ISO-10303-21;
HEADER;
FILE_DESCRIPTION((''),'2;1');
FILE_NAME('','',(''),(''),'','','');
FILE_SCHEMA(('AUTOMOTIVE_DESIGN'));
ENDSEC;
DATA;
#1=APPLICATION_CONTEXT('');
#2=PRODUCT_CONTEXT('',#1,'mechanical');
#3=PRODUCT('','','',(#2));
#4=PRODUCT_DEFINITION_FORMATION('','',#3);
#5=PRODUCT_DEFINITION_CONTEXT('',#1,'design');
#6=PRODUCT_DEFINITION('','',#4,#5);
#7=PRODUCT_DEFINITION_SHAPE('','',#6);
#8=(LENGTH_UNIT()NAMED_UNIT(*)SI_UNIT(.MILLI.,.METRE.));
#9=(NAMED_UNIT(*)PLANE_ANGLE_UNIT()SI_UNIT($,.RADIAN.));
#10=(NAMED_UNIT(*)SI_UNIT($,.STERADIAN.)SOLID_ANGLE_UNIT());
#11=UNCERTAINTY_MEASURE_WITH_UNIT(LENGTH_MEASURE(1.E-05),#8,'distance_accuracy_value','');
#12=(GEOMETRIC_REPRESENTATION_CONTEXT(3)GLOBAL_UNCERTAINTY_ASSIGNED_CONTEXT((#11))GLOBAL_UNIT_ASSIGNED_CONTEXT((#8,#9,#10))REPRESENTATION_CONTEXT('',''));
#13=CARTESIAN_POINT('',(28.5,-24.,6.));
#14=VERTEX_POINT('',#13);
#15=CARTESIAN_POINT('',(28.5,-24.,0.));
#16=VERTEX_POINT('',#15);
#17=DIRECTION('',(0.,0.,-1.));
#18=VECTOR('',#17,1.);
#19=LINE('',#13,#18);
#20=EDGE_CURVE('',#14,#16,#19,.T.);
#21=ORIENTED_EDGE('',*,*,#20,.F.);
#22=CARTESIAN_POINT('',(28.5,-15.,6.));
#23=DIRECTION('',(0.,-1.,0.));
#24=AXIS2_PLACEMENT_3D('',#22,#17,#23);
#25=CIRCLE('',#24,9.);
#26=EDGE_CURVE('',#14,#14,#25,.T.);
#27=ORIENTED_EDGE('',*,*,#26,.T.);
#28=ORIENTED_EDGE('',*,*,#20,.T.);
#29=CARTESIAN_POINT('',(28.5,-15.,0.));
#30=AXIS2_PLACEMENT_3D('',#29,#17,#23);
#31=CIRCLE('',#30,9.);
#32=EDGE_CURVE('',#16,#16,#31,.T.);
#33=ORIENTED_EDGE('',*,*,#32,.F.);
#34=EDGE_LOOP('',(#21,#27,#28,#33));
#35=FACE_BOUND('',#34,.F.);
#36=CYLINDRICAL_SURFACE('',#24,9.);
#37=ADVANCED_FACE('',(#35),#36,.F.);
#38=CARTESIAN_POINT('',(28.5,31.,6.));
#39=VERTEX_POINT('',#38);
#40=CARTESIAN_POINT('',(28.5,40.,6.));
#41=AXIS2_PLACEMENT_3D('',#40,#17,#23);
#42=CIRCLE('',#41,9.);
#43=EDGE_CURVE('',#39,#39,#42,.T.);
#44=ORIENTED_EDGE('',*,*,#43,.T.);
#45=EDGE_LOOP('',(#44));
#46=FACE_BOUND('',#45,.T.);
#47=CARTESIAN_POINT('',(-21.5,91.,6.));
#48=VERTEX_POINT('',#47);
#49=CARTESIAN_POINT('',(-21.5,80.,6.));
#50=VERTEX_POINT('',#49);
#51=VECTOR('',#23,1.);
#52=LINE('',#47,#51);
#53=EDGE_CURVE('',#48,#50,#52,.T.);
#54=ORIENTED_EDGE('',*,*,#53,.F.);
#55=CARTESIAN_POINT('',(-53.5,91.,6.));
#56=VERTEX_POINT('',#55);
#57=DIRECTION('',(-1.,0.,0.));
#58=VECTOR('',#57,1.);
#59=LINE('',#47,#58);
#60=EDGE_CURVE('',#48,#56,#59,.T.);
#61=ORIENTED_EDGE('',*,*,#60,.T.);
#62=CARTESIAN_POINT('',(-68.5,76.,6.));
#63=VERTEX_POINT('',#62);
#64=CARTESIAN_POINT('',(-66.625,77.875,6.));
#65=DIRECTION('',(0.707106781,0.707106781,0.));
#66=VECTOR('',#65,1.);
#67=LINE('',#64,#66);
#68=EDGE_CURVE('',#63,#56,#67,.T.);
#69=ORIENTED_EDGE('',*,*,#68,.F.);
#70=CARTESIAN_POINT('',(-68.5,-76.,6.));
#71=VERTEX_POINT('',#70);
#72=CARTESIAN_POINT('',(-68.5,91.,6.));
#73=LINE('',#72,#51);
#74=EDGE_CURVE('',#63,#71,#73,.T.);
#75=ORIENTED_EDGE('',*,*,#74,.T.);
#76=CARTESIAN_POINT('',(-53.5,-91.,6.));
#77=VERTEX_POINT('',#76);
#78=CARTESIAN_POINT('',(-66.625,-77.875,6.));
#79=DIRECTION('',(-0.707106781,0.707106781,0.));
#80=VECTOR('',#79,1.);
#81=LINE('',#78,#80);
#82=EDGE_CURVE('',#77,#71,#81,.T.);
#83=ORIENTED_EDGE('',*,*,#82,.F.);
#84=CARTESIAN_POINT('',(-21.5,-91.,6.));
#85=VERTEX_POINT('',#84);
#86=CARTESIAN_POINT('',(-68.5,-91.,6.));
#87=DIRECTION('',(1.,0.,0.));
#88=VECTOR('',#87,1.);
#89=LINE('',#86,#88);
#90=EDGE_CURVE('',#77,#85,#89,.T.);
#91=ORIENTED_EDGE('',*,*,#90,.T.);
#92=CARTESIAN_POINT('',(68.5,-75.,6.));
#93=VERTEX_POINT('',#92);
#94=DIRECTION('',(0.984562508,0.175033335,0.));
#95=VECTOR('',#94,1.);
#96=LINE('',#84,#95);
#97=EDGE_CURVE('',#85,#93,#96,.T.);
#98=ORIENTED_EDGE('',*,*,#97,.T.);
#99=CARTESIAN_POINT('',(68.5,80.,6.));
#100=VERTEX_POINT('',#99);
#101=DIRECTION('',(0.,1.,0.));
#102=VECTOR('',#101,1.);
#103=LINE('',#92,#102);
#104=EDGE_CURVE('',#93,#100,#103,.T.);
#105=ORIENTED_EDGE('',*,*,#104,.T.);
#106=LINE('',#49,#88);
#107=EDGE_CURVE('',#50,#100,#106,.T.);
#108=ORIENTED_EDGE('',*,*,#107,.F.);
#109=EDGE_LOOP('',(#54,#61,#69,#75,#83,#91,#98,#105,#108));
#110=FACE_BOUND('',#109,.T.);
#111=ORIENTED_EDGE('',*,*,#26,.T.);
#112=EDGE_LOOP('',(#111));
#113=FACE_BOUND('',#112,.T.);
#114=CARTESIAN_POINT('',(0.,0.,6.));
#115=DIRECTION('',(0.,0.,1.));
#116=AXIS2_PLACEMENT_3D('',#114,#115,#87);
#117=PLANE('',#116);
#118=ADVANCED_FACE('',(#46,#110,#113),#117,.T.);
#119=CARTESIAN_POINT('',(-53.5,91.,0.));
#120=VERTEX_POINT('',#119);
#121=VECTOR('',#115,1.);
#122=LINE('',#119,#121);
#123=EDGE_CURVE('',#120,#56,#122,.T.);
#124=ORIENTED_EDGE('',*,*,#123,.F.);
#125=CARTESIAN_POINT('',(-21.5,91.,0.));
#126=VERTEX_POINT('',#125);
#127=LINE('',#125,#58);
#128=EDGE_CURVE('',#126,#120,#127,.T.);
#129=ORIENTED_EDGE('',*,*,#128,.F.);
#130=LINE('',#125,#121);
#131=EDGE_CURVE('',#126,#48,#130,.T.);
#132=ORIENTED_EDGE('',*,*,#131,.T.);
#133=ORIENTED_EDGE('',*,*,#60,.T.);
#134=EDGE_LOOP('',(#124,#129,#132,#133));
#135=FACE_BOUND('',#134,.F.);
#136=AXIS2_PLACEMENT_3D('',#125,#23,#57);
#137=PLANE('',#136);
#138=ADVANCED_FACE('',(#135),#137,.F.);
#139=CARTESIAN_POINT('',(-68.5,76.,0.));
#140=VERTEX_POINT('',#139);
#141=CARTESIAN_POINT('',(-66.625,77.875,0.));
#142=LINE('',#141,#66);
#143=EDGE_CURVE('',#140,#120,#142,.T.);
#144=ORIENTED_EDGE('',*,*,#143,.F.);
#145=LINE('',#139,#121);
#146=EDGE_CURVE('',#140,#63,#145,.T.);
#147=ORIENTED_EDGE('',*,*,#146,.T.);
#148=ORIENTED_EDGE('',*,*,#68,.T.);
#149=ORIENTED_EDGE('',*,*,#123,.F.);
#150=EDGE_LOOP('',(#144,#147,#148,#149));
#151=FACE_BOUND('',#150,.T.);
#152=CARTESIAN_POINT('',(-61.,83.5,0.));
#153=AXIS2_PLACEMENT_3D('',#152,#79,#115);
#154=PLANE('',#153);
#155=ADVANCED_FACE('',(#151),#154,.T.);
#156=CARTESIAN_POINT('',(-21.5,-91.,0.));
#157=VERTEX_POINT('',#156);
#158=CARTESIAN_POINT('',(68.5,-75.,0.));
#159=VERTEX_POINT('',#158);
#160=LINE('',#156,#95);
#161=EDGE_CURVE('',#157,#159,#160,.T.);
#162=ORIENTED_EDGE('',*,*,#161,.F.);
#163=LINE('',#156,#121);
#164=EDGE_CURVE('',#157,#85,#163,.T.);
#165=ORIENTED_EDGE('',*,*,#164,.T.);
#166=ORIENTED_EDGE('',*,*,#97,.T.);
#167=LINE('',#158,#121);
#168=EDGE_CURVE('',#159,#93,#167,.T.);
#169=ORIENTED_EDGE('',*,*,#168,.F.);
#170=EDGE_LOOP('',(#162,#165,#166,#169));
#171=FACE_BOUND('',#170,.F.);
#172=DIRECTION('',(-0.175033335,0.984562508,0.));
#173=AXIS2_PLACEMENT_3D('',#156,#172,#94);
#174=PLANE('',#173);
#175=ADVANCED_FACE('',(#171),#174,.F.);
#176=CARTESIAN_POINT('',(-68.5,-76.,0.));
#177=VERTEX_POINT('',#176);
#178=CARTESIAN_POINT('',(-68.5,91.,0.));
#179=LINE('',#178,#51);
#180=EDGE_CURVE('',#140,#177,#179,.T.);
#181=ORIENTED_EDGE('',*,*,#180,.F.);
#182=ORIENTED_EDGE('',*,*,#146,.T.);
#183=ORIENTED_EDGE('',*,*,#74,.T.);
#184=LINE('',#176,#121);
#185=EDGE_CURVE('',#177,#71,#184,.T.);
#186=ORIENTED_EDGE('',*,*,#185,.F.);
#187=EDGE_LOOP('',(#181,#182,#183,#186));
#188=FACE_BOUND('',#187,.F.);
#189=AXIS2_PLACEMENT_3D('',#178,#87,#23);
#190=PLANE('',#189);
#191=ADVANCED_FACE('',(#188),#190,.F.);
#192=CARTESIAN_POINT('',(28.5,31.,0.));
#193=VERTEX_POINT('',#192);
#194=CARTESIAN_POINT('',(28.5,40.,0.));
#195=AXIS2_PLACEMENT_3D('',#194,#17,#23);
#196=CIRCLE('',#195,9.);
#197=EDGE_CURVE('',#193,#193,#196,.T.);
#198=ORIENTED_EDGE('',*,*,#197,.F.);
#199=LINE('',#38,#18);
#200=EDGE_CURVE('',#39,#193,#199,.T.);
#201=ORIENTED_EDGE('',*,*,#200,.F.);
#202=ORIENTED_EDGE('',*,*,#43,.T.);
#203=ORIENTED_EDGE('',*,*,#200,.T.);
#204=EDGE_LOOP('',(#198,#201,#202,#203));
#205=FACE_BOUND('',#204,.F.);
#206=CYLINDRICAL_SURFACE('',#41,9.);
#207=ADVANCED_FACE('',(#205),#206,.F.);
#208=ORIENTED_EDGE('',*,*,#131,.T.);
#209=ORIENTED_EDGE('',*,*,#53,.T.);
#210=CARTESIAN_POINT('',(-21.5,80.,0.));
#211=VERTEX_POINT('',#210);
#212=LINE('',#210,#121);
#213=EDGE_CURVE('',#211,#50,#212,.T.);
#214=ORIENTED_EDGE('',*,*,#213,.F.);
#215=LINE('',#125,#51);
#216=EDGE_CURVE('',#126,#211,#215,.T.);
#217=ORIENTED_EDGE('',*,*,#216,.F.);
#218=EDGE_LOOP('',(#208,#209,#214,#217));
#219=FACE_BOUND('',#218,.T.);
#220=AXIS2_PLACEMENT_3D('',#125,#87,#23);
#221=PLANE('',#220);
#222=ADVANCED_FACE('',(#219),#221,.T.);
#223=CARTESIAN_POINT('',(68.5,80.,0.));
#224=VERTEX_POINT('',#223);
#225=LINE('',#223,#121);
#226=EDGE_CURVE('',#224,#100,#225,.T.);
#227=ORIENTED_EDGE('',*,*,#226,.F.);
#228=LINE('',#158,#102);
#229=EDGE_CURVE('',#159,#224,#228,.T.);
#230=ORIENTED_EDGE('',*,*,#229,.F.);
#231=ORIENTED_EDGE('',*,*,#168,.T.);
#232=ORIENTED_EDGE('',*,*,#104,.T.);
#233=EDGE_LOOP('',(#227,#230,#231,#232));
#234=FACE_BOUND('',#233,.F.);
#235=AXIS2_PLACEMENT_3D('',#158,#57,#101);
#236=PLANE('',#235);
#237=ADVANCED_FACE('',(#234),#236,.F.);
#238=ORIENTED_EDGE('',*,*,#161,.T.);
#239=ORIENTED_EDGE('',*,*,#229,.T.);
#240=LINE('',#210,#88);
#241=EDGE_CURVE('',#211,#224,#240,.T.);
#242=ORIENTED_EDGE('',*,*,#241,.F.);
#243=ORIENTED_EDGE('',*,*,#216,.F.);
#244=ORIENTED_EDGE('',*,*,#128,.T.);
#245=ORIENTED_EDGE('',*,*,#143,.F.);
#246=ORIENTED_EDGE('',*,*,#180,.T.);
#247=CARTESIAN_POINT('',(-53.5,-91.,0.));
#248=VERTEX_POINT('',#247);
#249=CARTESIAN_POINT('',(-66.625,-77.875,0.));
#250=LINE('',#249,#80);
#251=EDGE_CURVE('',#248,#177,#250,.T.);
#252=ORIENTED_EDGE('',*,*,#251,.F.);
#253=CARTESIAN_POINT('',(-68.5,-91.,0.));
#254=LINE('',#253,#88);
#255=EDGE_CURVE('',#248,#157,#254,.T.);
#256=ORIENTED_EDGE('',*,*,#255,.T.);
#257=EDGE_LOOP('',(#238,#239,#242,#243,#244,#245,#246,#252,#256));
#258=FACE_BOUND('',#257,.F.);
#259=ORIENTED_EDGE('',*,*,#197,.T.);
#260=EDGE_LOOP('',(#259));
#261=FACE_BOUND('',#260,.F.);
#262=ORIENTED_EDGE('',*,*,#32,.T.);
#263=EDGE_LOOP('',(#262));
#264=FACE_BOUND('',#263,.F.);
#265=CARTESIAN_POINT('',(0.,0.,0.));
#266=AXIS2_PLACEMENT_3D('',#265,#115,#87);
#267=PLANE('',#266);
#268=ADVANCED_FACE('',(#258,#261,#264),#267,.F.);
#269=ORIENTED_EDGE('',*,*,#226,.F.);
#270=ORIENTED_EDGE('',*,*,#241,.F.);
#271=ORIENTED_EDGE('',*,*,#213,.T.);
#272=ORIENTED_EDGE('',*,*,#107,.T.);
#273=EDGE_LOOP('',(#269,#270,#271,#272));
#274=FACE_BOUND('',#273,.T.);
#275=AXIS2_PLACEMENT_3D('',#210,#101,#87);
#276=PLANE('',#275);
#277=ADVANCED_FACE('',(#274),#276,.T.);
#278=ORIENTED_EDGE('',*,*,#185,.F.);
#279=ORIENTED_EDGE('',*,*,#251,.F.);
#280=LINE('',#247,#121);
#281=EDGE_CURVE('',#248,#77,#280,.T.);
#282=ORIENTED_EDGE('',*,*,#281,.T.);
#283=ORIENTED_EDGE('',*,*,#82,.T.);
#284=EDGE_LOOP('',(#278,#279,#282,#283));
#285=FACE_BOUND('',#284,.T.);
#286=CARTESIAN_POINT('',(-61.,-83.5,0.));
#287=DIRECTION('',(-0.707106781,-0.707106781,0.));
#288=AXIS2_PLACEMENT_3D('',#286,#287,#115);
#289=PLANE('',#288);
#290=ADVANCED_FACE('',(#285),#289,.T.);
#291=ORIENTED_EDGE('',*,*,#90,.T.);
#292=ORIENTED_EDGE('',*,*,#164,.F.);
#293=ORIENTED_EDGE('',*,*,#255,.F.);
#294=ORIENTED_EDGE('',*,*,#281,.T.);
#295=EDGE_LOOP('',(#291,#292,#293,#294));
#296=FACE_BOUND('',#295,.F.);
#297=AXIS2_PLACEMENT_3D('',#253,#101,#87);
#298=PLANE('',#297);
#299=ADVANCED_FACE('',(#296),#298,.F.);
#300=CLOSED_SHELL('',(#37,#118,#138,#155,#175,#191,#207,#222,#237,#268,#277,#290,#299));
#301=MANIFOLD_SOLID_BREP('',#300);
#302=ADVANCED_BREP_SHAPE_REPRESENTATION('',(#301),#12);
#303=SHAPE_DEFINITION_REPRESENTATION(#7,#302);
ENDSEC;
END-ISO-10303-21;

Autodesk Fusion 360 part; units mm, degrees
sketch "スケッチ1" plane through (0, 0, 0) normal (0, 0, 1) x (1, 0, 0)
  line L0 (-21.5, 91) -> (-68.5, 91)
  line L1 (-68.5, 91) -> (-68.5, -91)
  line L2 (68.5, -75) -> (68.5, 80)
  line L3 (60.2198, 80) -> (-68.5, -91) construction
  line L4 (-68.5, 91) -> (57.8776, -76.8884) construction
  line L5 (-21.5, 91) -> (-21.5, 80)
  line L6 (-21.5, 80) -> (68.5, 80)
  line L7 (-68.5, -91) -> (-21.5, -91)
  line L8 (-21.5, -91) -> (68.5, -75)
  dimension "d2" = 182
  dimension "d5" = 47
extrude "押し出し1" add sketch "スケッチ1" along normal blind 6
chamfer "面取り1" distance 15 angle 45 2 edges at (-68.5, -91, 3) (-68.5, 91, 3)
sketch "スケッチ2" plane through (0, 0, 6) normal (0, 0, 1) x (-1, 0, 0)
  line L0 (53.5, -91) -> (68.5, -76)
  line L1 (68.5, -76) -> (68.5, 76)
  line L2 (68.5, 76) -> (53.5, 91)
  line L3 (53.5, 91) -> (21.5, 91)
  line L4 (21.5, 91) -> (-68.5, 75)
  line L5 (-68.5, 75) -> (-68.5, -80)
  line L6 (-68.5, -80) -> (21.5, -80)
  line L7 (21.5, -80) -> (21.5, -91)
  line L8 (21.5, -91) -> (53.5, -91)
  line L9 (-68.5, -80) -> (-28.5, -80) construction
  line L10 (-28.5, -80) -> (-28.5, -40) construction
  line L11 (-28.5, -40) -> (-68.5, -40) construction
  line L12 (-68.5, -40) -> (-68.5, -80) construction
  line L13 (-28.5, -40) -> (-28.5, 15) construction
  point P0 (-28.5, -40)
  point P1 (-28.5, 15)
  dimension "d10" = 40
  dimension "d11" = 40
  dimension "d12" = 55
hole "穴1" at (28.5, 40, 6) at (28.5, -15, 6) direction (0, 0, -1) diameter 18 end through all
equation "d5 = 15 mm + 32 mm"
